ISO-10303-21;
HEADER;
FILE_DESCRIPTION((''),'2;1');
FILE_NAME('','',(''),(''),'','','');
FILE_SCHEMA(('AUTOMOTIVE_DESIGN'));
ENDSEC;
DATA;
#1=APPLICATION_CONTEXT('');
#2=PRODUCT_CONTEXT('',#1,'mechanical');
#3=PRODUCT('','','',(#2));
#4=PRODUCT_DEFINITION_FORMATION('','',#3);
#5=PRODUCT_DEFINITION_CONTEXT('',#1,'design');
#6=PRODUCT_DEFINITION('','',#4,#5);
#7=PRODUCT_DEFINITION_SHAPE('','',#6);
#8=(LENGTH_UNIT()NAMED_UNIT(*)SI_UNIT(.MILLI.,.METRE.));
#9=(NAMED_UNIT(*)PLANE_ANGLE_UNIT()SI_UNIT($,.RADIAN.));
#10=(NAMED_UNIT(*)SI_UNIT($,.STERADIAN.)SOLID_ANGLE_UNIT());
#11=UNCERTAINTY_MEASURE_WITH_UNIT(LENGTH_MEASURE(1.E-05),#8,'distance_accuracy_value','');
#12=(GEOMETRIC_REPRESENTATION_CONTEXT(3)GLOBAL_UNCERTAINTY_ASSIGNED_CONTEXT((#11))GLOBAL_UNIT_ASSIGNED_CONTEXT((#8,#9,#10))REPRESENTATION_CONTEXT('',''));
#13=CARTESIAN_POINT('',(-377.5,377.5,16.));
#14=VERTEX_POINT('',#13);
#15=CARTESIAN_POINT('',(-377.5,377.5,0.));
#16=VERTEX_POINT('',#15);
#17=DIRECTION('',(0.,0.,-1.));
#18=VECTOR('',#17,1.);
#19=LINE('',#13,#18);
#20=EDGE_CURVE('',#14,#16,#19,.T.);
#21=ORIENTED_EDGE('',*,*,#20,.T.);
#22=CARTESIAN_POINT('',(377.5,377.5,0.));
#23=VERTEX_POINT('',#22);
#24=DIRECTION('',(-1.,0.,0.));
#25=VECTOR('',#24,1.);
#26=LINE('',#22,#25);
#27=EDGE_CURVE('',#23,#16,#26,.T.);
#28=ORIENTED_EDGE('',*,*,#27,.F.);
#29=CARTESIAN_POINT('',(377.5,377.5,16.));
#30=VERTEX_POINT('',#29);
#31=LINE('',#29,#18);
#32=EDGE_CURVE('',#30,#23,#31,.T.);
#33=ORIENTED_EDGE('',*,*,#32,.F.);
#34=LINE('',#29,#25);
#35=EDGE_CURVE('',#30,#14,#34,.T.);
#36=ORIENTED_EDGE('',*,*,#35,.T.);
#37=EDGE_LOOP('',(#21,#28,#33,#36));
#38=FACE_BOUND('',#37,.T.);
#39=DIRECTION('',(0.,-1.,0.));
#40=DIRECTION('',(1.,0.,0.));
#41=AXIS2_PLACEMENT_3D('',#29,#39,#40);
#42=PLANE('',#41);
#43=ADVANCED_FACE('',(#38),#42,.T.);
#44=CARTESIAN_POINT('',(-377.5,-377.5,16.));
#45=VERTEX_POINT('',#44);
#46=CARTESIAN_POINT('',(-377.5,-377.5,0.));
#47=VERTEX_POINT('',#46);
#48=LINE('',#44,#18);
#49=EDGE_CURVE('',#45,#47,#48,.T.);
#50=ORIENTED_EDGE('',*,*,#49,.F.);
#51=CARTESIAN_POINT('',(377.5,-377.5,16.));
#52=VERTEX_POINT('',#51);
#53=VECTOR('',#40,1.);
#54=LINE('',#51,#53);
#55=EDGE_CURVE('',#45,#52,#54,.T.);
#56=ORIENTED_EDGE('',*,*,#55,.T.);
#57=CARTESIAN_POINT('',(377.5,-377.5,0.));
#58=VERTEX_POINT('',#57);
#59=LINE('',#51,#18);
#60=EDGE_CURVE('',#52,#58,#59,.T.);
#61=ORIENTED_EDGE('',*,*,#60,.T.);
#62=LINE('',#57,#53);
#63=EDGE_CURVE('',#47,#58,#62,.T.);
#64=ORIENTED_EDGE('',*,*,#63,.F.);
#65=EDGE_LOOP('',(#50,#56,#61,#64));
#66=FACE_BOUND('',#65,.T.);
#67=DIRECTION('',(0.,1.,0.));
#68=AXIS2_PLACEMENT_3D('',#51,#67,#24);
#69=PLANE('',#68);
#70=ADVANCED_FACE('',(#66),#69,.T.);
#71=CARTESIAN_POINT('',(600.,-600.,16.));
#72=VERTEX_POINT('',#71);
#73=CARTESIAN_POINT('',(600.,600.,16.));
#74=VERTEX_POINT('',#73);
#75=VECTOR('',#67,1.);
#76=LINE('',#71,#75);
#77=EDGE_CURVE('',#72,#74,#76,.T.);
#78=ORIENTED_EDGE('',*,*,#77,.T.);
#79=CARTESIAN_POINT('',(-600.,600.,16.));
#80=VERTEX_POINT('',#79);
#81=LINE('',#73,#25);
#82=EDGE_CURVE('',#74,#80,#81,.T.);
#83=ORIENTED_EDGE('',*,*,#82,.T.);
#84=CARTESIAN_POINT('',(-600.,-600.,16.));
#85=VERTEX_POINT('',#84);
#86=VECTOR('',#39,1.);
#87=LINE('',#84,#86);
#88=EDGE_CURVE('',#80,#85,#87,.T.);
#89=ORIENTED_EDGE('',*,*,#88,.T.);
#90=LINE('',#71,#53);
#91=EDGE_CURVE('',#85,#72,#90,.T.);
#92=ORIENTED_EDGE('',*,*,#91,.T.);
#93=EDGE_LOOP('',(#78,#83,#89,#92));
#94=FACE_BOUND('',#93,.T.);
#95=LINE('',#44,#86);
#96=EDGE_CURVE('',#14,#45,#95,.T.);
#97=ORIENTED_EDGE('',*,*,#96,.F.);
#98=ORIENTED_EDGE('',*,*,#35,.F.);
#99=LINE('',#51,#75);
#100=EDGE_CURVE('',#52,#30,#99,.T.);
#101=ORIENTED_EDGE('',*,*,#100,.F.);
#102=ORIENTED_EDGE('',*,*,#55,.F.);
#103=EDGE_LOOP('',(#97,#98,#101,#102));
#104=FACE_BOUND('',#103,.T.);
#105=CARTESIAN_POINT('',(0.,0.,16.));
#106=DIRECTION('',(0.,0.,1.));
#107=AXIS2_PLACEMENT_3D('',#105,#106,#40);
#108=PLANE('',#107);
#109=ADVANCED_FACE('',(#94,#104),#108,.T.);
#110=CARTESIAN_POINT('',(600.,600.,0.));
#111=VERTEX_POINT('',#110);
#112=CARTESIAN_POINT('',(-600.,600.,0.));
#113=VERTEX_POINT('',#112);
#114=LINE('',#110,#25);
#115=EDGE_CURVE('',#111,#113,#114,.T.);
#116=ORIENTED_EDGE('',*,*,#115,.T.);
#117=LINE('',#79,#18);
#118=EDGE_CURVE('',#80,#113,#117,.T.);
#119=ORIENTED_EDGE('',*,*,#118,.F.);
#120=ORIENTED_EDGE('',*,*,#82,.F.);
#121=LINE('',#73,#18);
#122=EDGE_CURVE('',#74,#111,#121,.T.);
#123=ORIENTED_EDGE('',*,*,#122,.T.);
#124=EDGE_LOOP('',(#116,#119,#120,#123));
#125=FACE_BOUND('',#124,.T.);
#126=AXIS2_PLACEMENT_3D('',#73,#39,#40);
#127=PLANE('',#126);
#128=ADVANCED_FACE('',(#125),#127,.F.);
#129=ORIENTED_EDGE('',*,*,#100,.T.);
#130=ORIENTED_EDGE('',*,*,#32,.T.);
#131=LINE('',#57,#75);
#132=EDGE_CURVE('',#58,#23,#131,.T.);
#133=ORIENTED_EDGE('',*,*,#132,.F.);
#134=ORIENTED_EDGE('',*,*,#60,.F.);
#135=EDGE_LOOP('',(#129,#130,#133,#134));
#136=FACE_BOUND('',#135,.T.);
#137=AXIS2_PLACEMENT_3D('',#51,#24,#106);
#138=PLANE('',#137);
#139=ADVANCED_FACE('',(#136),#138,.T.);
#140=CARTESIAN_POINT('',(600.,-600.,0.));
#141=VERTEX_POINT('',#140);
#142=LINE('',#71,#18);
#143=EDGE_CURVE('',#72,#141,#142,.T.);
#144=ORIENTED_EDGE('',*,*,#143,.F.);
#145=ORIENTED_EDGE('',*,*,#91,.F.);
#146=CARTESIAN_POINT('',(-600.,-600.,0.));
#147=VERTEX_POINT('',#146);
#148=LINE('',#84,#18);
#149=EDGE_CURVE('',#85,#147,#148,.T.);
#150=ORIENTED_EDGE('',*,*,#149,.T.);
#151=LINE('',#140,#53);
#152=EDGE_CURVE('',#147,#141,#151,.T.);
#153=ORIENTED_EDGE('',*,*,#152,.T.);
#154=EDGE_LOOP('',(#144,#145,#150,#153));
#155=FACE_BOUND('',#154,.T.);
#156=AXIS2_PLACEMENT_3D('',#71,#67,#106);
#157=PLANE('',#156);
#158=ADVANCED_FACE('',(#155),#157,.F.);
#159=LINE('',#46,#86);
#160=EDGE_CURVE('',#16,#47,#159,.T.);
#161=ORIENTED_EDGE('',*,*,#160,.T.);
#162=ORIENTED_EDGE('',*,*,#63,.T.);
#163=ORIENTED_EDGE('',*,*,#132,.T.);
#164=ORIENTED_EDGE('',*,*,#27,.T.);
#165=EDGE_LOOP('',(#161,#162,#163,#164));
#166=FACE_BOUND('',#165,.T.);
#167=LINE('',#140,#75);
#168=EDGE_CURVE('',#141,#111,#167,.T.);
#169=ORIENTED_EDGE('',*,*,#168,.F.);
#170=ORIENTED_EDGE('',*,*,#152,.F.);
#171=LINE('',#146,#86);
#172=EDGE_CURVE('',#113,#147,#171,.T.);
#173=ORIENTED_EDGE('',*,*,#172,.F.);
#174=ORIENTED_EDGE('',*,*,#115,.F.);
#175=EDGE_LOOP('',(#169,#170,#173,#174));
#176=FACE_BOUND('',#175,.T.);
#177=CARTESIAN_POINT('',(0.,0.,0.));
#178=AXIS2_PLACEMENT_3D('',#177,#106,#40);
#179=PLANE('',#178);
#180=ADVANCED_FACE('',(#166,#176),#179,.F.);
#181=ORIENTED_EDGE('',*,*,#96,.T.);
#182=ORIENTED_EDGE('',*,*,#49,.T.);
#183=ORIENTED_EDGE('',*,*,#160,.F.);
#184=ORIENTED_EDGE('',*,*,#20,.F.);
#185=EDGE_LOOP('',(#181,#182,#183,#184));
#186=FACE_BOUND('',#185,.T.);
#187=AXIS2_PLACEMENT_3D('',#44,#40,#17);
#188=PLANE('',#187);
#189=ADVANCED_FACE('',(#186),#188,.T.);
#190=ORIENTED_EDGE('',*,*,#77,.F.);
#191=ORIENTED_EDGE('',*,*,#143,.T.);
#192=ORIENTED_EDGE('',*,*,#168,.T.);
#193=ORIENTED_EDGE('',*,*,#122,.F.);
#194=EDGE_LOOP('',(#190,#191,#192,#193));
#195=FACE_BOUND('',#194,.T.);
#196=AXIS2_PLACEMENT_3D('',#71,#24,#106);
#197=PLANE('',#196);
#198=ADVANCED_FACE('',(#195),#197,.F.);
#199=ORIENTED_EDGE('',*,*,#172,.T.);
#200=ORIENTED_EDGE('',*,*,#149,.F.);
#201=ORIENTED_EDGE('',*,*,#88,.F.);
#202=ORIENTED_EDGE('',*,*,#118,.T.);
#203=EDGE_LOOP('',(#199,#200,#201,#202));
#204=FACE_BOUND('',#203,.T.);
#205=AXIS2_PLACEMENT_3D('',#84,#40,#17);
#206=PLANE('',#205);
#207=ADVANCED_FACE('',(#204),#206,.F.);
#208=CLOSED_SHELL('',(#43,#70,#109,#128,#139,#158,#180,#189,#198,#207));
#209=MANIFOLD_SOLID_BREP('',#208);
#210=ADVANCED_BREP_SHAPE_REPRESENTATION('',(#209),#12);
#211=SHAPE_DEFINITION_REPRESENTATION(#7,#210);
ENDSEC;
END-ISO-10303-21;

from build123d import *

# Parameters (mm, degrees)
SKIZZE1_W                       = 1200
SKIZZE1_H                       = 1200
SKIZZE1_W_2                     = 755
SKIZZE1_H_2                     = 755
AUFSATZ_LINEAR_AUSTRAGEN1_DEPTH = 16


with BuildPart() as part:
    # Skizze1 → Aufsatz-Linear austragen1 (new body)
    with BuildSketch(Plane.XY):
        Rectangle(SKIZZE1_W, SKIZZE1_H)
        Rectangle(SKIZZE1_W_2, SKIZZE1_H_2, mode=Mode.SUBTRACT)
    extrude(amount=AUFSATZ_LINEAR_AUSTRAGEN1_DEPTH)


solid = part.part
